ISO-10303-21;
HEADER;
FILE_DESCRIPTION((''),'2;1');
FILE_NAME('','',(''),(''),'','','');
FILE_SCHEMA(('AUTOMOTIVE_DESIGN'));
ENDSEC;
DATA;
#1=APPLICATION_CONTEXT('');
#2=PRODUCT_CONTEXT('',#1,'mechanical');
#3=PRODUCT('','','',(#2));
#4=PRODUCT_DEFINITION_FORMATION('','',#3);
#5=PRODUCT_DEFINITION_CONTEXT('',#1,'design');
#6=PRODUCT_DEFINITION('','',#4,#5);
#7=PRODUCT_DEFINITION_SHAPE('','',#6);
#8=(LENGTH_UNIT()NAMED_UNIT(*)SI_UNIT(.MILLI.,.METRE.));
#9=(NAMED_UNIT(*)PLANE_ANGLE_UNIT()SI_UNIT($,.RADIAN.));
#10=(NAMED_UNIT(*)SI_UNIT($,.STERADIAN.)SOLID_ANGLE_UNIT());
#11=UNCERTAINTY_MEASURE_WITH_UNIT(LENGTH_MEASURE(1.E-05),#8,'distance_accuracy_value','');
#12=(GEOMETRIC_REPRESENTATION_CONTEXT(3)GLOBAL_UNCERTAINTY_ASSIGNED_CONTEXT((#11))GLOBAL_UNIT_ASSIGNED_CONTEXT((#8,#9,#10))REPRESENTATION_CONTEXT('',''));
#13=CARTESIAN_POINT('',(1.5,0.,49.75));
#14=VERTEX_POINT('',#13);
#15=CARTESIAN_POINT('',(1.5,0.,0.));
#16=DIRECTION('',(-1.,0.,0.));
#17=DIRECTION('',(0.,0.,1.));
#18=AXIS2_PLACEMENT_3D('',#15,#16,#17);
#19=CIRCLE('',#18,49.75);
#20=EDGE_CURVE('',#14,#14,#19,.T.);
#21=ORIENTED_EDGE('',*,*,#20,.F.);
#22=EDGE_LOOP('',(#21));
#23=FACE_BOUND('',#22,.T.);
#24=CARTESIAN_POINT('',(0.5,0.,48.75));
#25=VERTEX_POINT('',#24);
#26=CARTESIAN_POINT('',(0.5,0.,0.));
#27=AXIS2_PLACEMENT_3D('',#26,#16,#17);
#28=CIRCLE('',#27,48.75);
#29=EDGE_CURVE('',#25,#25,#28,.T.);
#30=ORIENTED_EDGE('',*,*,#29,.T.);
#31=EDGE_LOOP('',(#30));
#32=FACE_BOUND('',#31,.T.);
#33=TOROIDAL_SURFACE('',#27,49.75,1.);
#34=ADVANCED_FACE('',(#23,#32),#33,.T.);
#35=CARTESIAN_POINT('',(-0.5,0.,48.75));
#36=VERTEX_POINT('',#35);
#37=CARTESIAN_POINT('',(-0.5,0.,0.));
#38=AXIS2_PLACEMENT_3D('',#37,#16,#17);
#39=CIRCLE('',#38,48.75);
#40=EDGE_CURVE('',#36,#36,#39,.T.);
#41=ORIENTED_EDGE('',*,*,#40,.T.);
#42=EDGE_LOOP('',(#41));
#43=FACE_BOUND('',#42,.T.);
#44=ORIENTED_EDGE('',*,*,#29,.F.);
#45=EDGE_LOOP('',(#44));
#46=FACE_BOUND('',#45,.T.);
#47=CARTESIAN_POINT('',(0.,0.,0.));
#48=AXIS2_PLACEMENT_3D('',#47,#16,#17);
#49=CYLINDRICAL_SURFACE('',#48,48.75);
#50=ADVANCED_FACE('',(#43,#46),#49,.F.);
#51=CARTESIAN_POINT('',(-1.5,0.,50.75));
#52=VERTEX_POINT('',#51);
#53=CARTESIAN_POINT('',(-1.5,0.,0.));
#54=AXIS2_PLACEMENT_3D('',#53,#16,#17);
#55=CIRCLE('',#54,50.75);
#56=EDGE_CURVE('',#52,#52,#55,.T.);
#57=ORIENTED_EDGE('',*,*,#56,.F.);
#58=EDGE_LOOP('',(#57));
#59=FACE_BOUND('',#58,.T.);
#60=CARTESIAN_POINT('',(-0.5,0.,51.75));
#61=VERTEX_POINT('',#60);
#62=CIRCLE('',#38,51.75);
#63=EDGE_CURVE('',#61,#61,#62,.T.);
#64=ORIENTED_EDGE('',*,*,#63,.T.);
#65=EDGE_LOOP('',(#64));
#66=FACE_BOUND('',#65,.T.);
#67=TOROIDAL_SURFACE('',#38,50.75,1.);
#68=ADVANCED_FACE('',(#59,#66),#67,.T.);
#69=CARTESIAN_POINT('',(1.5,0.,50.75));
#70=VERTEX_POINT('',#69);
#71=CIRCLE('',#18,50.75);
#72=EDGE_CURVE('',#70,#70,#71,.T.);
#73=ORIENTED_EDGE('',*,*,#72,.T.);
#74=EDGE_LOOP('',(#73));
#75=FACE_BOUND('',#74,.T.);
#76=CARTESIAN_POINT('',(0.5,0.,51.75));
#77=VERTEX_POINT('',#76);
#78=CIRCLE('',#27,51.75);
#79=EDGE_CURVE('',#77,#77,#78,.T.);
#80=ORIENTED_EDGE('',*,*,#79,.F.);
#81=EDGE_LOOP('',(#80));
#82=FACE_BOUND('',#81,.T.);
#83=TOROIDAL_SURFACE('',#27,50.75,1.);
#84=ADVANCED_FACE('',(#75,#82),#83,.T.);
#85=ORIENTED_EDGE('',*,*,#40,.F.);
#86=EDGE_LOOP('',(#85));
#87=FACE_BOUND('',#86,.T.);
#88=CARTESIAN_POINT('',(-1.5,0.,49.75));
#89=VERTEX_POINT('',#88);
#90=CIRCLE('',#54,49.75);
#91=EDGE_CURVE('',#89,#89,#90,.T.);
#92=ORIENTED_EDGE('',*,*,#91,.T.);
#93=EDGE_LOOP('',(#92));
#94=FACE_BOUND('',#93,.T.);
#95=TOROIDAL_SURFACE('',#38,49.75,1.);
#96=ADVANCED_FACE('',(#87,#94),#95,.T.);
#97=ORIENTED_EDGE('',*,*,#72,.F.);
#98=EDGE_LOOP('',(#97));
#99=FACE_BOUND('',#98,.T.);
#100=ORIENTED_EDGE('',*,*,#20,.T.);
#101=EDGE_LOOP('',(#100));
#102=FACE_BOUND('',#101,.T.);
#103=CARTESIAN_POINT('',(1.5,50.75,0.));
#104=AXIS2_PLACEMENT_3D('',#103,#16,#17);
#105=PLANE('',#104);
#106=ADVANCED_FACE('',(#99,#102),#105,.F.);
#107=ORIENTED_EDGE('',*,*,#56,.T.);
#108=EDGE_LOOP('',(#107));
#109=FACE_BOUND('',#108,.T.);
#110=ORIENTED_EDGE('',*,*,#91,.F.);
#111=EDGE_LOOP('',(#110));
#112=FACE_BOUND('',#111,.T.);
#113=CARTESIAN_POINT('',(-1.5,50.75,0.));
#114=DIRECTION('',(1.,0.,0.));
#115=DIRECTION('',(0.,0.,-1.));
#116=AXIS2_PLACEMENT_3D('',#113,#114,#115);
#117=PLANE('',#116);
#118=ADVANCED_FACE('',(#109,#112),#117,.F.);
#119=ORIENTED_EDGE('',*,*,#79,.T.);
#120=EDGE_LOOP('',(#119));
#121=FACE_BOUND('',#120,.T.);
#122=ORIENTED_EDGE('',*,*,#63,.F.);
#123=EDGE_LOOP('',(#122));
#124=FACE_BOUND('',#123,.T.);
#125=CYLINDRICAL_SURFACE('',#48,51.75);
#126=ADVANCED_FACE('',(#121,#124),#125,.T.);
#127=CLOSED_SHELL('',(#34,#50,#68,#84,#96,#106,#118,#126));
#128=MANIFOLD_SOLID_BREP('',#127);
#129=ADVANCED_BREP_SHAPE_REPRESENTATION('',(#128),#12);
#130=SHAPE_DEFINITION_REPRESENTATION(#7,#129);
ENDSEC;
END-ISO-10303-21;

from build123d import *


with BuildPart() as part:
    # Schizzo1 → Rivoluzione1 (revolve)
    with BuildSketch(Plane.XY):
        with BuildLine():
            Line((-0.5, 51.75), (0.5, 51.75))
            ThreePointArc((0.5, 51.75), (1.207106781, 51.457106781), (1.5, 50.75))
            Line((1.5, 50.75), (1.5, 49.75))
            ThreePointArc((1.5, 49.75), (1.207106781, 49.042893219), (0.5, 48.75))
            Line((0.5, 48.75), (-0.5, 48.75))
            ThreePointArc((-0.5, 48.75), (-1.207106781, 49.042893219), (-1.5, 49.75))
            Line((-1.5, 49.75), (-1.5, 50.75))
            ThreePointArc((-1.5, 50.75), (-1.207106781, 51.457106781), (-0.5, 51.75))
        make_face()
    revolve(axis=Axis((0, 0, 0), (1, 0, 0)))


solid = part.part
